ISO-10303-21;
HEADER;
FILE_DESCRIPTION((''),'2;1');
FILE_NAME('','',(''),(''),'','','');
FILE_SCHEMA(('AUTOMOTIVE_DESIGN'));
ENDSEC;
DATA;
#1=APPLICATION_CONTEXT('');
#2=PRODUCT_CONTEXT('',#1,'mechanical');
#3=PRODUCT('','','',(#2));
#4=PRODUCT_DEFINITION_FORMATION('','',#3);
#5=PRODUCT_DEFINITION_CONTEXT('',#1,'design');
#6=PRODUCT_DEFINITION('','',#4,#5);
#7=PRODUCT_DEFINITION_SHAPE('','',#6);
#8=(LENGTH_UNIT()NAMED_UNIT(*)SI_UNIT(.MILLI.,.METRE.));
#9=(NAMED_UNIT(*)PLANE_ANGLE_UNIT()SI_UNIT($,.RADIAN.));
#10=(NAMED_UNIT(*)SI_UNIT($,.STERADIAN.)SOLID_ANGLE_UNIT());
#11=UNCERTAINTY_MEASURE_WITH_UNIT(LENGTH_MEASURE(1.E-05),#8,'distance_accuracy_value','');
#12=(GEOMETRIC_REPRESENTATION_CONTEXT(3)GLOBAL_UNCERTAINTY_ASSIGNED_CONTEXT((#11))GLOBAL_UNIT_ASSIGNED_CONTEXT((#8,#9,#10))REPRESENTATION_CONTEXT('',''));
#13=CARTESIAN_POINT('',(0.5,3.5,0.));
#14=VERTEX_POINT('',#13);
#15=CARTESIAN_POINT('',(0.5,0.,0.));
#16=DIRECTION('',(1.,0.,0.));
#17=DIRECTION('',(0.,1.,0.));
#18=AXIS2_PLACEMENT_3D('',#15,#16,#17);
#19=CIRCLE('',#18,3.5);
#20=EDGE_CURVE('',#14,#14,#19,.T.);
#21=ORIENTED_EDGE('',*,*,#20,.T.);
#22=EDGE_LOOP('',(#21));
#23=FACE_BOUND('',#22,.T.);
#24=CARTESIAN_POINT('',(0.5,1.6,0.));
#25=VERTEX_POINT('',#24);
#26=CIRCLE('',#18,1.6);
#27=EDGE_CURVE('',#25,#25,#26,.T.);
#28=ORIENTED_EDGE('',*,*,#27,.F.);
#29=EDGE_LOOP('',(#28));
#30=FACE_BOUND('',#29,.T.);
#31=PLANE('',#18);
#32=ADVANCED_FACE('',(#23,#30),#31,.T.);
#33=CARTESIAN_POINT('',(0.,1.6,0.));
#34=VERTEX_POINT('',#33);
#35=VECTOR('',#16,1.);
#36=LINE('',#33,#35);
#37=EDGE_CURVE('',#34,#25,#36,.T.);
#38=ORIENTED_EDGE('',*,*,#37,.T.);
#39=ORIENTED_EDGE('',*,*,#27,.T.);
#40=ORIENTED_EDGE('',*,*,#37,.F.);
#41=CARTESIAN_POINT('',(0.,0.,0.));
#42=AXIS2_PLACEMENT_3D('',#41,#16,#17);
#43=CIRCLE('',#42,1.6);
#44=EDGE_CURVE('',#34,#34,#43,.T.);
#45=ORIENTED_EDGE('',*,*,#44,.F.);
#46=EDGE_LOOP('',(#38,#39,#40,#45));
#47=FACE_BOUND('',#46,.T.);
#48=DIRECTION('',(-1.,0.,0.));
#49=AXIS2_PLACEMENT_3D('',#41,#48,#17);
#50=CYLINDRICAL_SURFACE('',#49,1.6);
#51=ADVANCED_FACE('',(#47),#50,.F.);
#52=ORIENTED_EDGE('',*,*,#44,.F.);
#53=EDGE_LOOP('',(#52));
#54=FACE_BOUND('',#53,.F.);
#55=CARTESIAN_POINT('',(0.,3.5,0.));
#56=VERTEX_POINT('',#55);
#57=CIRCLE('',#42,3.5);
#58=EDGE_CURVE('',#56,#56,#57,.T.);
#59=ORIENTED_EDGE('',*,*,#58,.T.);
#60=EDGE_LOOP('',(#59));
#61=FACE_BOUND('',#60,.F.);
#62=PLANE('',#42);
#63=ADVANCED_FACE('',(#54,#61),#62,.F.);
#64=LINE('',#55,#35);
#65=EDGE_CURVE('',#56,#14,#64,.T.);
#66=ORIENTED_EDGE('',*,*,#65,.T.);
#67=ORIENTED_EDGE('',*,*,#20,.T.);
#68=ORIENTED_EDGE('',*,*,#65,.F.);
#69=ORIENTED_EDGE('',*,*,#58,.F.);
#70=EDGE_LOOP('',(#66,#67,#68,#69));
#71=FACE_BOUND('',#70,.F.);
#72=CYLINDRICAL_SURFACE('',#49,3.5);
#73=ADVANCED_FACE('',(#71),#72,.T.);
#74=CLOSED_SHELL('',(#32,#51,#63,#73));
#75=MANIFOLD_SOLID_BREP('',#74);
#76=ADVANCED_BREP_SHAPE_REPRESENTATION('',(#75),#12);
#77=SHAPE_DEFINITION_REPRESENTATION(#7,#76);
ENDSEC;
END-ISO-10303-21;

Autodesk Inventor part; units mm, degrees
ref_plane "YZ Plane" through (0, 0, 0) normal (1, 0, 0) x (0, 1, 0)
ref_plane "XZ Plane" through (0, 0, 0) normal (0, 1, 0) x (-1, 0, 0)
sketch "Sketch" plane through (0, 0, 0) normal (1, 0, 0) x (0, 1, 0)
  circle A0 centre (0, 0) radius 3.5
  circle A1 centre (0, 0) radius 1.6
  dimension "d0" = 3.2
  dimension "d1" = 7
extrude "Body" add sketch "Sketch" along normal blind 0.5
ref_plane "Work Plane1" through (0, 0, 0) normal (0, 0, 1) x (1, 0, 0)
equation "\"d0\" = SD1"
equation "\"d1\" = SD2"
equation "\"d2\" = SD"
equation "\"SD1\" = 3.2"
equation "\"SD2\" = 7"
equation "\"SD\" = 0.5"
equation "\"NND\" = 3"
properties part number "ISO 7089 -  3" material "Steel, Mild"
